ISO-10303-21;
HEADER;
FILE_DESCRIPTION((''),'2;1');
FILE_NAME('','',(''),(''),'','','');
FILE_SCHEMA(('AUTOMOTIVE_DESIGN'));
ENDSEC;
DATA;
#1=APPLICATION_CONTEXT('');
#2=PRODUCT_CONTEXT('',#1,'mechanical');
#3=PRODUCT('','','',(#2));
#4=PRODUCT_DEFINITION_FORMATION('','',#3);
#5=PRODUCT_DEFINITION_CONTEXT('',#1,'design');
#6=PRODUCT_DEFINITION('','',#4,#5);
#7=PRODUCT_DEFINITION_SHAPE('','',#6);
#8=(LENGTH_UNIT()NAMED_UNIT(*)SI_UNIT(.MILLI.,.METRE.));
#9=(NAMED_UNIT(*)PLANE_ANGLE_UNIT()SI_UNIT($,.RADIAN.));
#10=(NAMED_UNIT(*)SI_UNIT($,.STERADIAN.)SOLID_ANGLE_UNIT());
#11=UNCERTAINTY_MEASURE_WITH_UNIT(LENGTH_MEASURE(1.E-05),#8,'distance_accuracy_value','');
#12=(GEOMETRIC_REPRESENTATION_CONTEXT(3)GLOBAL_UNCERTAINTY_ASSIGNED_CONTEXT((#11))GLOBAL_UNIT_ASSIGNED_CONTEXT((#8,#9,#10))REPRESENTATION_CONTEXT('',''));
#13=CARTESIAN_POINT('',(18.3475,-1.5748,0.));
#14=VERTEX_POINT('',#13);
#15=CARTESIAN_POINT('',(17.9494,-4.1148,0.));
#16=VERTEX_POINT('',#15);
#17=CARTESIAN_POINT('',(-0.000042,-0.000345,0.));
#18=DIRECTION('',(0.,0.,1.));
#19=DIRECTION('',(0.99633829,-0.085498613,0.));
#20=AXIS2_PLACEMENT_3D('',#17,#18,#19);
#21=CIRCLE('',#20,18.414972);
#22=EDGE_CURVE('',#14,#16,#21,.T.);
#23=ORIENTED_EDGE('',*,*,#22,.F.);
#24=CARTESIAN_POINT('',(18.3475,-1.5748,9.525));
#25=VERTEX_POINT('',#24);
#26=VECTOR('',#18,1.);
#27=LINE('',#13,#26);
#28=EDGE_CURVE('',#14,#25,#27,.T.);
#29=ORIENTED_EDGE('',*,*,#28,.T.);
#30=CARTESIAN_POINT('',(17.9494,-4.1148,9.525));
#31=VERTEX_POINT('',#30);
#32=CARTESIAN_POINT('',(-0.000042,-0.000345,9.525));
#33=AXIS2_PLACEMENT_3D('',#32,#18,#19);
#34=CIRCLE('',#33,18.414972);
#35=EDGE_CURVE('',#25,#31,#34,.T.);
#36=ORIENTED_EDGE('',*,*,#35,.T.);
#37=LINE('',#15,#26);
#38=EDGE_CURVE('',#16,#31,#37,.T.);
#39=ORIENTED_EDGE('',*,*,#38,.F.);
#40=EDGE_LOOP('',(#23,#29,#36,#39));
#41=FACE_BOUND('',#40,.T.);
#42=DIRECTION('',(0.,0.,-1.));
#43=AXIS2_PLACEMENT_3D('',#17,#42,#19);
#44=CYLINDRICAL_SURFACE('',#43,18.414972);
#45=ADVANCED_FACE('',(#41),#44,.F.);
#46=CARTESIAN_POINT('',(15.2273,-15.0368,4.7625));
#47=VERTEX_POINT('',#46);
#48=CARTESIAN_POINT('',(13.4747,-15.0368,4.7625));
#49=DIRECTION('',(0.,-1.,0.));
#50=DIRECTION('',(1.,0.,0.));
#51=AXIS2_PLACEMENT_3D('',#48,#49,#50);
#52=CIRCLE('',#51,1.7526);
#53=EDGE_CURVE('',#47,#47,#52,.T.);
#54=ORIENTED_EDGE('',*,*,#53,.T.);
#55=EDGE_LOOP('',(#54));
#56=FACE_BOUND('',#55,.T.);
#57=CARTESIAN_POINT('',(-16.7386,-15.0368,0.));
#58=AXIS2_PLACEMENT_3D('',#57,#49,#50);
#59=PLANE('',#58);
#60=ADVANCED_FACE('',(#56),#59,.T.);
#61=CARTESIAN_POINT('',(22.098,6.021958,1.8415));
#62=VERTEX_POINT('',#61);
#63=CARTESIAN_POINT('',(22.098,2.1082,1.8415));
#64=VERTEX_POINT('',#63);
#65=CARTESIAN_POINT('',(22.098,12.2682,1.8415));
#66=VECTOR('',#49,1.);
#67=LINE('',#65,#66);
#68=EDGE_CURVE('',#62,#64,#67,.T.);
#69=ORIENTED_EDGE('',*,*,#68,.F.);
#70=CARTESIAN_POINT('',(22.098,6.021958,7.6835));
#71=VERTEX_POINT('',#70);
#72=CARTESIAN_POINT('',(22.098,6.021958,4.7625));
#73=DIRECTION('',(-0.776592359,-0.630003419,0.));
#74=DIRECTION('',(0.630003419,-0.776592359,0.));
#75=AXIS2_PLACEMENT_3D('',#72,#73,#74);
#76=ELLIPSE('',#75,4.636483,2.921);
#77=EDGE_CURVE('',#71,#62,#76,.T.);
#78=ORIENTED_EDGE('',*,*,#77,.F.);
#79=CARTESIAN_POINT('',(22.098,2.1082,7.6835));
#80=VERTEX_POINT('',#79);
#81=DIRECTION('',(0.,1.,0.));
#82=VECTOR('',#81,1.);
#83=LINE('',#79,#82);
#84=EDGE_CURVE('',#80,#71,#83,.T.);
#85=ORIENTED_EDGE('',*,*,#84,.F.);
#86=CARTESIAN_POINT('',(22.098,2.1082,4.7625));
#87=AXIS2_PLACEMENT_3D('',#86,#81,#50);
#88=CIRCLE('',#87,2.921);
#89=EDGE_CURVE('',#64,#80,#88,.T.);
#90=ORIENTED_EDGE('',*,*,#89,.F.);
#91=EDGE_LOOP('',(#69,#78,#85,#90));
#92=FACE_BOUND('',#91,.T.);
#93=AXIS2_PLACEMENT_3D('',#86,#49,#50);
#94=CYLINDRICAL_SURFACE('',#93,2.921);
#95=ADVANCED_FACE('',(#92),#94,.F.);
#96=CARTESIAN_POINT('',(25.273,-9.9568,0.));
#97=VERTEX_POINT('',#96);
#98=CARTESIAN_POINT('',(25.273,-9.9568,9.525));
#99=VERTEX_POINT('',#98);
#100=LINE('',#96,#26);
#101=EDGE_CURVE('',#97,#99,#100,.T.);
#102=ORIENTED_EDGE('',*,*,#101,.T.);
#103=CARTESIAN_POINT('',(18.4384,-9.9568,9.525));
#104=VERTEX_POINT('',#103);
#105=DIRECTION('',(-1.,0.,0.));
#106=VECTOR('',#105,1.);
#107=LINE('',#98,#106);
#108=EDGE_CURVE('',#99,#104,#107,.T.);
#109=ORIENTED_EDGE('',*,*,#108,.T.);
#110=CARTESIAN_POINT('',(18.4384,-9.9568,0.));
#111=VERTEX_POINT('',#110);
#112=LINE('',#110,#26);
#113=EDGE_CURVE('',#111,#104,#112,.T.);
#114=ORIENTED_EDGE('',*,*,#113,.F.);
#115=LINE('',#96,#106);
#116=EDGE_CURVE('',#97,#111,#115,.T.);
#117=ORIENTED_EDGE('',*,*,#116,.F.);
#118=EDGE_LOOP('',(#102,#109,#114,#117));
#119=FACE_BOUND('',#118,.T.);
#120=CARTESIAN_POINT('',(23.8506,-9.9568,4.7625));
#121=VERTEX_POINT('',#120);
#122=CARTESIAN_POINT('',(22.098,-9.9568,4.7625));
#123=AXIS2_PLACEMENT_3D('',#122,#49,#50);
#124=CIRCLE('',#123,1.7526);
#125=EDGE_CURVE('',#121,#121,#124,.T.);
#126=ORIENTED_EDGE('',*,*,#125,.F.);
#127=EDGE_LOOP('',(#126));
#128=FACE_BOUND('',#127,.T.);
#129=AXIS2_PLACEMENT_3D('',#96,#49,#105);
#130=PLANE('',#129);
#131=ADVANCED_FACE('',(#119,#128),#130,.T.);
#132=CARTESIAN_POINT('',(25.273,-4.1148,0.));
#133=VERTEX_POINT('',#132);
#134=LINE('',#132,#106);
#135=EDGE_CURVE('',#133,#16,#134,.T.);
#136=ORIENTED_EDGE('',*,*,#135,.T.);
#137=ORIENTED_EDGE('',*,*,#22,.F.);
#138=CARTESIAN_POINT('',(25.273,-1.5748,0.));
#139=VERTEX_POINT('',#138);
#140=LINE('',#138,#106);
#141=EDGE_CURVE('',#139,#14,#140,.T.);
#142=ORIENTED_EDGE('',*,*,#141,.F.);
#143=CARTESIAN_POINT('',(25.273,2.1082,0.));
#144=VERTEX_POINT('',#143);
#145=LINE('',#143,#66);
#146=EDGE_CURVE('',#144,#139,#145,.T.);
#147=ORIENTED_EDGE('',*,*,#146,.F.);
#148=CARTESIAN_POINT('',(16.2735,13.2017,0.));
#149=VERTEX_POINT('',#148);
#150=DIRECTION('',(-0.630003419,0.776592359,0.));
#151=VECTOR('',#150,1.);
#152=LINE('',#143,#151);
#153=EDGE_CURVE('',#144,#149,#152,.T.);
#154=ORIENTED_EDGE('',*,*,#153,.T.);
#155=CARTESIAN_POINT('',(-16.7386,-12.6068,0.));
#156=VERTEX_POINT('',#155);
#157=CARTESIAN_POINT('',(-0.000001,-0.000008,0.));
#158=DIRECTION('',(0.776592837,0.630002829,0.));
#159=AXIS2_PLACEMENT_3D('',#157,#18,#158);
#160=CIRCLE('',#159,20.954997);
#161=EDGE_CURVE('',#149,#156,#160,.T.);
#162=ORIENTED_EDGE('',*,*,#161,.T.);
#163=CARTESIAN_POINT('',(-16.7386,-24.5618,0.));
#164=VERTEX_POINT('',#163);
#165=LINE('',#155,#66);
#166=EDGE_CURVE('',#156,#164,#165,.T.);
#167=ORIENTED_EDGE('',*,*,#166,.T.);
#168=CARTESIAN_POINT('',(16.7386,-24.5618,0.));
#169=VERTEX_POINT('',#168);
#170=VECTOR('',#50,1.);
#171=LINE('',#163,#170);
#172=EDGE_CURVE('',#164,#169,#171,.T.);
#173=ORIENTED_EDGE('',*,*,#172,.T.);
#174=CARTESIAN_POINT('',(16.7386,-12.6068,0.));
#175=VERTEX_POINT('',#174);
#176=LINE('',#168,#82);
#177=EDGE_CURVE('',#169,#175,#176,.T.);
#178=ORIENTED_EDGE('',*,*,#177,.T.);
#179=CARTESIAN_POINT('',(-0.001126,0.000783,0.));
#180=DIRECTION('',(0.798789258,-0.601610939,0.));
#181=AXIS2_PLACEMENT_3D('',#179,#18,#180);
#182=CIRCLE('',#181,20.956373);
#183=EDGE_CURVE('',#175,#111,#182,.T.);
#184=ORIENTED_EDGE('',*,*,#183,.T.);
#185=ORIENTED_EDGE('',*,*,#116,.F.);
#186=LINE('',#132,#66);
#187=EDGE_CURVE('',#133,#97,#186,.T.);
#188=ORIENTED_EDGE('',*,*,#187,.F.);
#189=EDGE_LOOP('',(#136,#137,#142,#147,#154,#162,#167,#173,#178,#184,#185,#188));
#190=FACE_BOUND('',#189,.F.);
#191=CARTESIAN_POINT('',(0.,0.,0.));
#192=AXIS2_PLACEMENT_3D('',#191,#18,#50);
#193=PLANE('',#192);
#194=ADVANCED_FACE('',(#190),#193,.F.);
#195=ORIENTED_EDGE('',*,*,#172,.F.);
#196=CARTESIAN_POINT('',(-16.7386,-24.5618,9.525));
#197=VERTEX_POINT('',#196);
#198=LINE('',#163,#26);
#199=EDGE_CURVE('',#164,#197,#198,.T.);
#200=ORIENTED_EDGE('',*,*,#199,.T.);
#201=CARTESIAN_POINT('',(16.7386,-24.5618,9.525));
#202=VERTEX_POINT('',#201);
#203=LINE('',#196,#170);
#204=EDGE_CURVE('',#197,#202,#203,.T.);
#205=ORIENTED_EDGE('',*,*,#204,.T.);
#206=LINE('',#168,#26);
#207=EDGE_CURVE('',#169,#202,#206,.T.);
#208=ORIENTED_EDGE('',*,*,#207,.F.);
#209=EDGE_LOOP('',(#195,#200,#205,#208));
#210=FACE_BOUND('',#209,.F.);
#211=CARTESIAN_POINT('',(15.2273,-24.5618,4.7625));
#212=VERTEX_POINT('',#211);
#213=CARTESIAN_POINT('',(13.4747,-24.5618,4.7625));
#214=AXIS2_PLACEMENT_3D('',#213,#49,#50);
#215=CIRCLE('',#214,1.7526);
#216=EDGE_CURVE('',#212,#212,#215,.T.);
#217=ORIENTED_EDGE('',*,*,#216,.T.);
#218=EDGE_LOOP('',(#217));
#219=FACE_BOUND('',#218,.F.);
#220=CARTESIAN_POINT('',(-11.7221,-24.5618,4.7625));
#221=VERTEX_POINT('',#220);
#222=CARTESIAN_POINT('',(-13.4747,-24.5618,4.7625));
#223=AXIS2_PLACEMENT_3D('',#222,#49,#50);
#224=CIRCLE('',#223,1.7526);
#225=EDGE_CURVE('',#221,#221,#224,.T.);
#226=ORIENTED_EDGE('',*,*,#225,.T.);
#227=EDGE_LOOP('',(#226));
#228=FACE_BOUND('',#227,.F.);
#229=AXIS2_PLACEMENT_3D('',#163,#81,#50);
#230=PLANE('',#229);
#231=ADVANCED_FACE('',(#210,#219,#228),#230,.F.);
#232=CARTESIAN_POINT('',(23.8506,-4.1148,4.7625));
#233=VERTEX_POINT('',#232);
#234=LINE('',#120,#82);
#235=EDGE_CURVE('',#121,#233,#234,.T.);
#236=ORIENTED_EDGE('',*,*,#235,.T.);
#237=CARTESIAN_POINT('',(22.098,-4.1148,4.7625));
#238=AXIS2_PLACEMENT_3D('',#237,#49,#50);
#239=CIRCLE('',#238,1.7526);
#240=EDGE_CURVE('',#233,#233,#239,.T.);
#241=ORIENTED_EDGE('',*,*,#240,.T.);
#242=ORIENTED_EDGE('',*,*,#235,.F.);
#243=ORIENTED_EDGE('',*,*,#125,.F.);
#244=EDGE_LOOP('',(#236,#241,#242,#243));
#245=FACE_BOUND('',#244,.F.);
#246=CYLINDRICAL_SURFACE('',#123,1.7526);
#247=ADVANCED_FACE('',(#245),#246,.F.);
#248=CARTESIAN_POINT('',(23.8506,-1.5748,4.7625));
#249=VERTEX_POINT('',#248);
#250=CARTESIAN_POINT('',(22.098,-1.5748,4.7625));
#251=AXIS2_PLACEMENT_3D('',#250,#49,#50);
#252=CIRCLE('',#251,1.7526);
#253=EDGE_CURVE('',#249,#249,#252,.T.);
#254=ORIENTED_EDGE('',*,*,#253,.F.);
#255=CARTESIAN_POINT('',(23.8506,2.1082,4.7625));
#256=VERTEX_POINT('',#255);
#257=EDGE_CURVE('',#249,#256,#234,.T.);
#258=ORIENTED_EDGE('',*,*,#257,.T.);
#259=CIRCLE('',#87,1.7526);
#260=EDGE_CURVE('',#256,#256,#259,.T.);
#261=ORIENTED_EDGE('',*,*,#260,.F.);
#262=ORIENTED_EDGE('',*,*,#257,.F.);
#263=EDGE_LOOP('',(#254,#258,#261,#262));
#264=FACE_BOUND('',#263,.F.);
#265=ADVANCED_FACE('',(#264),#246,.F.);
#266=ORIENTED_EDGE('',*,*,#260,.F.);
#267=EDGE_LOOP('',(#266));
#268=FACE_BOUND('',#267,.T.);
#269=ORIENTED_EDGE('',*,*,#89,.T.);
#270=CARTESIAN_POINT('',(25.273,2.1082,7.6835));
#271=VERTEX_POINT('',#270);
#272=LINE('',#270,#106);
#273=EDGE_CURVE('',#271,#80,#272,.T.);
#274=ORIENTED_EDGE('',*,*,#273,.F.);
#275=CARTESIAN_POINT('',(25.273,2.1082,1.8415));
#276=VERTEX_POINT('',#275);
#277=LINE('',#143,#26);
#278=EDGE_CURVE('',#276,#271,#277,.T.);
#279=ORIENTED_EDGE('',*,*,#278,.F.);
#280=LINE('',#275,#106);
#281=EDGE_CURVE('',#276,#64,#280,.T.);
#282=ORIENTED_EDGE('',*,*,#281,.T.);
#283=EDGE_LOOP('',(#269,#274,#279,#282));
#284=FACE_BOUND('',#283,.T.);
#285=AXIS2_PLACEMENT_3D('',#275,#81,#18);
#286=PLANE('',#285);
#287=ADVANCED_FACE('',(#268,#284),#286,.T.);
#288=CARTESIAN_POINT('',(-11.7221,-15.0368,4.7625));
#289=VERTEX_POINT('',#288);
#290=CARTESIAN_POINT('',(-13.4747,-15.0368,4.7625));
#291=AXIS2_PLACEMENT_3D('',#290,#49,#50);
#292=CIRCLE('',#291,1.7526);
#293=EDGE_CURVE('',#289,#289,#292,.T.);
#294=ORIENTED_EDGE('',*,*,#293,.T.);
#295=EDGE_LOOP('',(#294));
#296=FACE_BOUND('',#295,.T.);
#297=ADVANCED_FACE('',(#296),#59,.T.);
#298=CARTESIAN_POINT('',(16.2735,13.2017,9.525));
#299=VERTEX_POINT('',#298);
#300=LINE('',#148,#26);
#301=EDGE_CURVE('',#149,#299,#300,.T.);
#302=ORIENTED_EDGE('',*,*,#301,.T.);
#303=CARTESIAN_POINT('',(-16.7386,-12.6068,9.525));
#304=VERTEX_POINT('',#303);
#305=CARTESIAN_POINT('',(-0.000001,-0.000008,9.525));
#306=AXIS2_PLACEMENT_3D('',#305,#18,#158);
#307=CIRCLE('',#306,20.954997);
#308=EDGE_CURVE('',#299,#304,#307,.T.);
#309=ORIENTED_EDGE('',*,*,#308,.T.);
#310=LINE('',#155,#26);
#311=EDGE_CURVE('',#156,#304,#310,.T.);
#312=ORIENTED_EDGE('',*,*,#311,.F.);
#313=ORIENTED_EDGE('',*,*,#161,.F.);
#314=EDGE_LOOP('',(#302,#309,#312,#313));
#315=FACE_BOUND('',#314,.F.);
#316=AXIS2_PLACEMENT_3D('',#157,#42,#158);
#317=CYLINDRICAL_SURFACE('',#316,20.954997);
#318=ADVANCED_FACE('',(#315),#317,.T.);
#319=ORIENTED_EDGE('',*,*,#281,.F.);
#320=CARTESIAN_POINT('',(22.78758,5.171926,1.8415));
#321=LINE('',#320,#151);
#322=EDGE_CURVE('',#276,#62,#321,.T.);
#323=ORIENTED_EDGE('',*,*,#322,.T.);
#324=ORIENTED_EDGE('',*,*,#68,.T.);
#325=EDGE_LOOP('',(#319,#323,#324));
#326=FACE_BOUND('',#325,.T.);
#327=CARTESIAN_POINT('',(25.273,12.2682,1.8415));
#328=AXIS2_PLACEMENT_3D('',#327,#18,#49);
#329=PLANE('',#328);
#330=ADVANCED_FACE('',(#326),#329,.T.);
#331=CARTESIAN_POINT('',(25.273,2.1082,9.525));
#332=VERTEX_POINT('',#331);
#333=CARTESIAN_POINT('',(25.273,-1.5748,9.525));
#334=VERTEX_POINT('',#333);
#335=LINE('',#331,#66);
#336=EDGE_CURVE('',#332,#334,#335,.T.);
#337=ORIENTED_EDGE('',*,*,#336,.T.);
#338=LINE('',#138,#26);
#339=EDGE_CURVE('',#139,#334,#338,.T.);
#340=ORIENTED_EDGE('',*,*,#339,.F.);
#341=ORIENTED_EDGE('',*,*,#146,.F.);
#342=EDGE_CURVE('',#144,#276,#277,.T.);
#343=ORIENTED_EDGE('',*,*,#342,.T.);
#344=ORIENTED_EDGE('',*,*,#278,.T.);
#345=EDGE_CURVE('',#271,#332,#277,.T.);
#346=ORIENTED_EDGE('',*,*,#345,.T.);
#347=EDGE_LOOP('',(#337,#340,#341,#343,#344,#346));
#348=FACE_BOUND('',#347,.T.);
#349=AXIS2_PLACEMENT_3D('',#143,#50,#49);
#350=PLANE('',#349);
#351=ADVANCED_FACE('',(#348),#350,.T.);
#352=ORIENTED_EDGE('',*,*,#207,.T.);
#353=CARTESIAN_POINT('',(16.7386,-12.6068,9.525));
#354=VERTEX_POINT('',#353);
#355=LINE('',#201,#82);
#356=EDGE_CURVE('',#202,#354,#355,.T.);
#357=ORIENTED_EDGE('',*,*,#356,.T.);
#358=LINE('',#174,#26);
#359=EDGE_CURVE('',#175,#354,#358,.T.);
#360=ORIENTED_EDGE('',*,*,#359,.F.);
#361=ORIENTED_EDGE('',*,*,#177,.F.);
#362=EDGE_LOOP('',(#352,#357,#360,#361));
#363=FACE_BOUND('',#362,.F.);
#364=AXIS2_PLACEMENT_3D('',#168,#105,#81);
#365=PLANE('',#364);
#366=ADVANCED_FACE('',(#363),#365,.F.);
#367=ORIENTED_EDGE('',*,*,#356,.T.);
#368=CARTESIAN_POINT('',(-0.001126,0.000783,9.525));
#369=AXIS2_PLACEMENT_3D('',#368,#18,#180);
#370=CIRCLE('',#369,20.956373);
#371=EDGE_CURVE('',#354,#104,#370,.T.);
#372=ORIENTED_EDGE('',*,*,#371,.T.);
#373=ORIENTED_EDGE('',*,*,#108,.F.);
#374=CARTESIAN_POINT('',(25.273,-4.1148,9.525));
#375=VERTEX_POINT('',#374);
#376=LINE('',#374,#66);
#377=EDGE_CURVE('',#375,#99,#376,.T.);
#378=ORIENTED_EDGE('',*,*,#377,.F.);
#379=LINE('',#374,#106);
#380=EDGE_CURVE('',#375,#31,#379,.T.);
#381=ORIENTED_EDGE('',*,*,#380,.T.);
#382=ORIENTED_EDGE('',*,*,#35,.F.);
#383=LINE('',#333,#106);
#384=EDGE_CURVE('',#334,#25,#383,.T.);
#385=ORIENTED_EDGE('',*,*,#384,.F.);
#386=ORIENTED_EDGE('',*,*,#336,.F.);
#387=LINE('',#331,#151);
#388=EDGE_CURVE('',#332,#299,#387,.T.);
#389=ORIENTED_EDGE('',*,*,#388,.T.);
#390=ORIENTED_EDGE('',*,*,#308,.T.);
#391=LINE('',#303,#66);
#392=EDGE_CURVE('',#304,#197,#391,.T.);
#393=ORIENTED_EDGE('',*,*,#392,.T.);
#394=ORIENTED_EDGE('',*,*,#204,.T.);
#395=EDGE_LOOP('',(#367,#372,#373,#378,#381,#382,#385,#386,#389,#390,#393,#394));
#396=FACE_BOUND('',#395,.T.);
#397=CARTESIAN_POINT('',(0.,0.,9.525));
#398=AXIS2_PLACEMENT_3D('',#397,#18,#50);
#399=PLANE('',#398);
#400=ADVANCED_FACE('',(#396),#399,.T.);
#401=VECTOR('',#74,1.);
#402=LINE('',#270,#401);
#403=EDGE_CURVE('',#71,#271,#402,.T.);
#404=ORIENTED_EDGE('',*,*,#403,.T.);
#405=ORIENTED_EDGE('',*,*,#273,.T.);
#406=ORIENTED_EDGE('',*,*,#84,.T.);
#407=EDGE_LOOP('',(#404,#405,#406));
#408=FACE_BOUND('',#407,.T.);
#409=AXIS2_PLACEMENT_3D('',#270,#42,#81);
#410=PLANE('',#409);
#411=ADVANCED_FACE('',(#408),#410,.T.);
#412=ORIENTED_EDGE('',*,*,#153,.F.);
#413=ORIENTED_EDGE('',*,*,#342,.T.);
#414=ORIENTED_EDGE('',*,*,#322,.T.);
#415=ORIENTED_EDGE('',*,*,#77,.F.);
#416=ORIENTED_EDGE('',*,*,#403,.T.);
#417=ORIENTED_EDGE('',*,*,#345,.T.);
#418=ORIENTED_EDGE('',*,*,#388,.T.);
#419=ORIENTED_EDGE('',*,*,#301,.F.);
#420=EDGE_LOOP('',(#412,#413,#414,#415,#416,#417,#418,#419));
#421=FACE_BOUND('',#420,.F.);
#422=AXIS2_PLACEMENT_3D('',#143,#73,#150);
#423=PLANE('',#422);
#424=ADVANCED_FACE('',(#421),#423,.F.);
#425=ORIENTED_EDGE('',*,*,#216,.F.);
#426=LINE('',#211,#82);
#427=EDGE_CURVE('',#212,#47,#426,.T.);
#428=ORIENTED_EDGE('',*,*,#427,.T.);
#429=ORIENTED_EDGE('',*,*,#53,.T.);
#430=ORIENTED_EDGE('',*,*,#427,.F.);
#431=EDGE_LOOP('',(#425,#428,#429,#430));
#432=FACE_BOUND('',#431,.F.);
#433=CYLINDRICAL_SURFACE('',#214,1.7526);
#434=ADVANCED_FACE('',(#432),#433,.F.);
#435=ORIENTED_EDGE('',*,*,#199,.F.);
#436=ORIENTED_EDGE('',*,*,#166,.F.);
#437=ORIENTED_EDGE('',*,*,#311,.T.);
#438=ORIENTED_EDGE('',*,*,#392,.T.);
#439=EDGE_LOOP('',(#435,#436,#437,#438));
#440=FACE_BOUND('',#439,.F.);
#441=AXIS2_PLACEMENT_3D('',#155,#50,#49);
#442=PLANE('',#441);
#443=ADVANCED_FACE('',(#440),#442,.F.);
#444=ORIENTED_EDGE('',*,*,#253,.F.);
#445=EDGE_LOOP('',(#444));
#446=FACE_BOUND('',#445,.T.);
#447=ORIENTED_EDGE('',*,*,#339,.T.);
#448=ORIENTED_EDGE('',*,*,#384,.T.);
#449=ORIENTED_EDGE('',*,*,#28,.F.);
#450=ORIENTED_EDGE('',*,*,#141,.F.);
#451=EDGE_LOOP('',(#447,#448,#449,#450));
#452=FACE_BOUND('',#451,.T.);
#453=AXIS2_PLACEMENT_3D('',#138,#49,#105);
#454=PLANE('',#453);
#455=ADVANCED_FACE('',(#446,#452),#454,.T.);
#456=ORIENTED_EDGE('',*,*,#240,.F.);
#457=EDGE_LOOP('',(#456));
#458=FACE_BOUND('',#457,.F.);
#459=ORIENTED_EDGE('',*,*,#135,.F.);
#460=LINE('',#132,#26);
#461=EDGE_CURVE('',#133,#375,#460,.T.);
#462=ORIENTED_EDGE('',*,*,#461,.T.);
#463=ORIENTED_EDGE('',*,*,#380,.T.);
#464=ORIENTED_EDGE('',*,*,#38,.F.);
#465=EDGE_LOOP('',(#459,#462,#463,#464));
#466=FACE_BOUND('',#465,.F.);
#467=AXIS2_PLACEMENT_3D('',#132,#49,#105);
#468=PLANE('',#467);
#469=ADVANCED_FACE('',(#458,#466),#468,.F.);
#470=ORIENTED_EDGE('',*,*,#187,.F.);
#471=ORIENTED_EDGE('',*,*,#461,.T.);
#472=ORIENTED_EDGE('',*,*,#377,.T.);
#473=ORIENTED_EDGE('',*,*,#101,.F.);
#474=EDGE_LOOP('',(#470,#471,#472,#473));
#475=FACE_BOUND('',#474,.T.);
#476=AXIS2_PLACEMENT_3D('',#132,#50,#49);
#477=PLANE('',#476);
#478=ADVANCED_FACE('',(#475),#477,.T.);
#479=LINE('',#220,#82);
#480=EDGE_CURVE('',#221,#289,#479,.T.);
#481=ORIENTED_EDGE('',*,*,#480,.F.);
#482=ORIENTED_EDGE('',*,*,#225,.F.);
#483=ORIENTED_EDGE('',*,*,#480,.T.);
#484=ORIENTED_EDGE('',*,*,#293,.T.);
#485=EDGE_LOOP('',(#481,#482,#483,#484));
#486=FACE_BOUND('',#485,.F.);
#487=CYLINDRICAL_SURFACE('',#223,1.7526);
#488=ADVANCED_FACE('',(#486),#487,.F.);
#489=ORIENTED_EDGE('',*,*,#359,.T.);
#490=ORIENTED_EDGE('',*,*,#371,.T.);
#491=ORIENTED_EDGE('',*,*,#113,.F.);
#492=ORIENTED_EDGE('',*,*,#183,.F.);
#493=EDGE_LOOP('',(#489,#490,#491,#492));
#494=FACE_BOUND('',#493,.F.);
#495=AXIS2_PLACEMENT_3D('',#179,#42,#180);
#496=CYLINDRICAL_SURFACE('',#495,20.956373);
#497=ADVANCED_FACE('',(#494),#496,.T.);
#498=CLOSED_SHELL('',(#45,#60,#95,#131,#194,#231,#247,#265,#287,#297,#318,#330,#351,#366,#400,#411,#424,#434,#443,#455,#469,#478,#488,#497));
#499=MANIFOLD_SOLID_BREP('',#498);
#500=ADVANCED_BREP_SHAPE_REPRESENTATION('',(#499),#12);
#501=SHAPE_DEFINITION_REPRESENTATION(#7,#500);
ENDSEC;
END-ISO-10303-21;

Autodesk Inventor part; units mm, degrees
ref_plane "YZ Plane" through (0, 0, 0) normal (1, 0, 0) x (0, 1, 0)
ref_plane "XZ Plane" through (0, 0, 0) normal (0, 1, 0) x (-1, 0, 0)
ref_plane "XY Plane" through (0, 0, 0) normal (0, 0, 1) x (1, 0, 0)
sketch "Sketch1" plane through (0, 0, 0) normal (0, 0, 1) x (1, 0, 0)
  arc A0 (18.3475, -1.5748) -> (17.9494, -4.1148) centre (0, 0) ccw
  line L0 (-16.7386, -24.5618) -> (16.7386, -24.5618)
  line L1 (16.7386, -24.5618) -> (16.7386, -12.6068)
  line L2 (-16.7386, -12.6068) -> (-16.7386, -24.5618)
  line L3 (-20.955, 0) -> (-20.955, 20.955) construction
  line L4 (-20.955, 20.955) -> (25.273, 20.955) construction
  line L5 (16.7386, -24.5618) -> (25.273, -24.5618) construction
  line L6 (25.273, -24.5618) -> (25.273, -9.9568) construction
  line L7 (25.273, -9.9568) -> (21.0058, -9.9568) construction
  line L8 (25.273, -9.9568) -> (25.273, 2.1082) construction
  line L9 (25.273, 2.1082) -> (16.2735, 13.2017)
  line L10 (25.273, 2.1082) -> (25.273, -1.5748) construction
  line L11 (25.273, -1.5748) -> (18.3475, -1.5748)
  line L12 (25.273, 2.1082) -> (25.273, -1.5748)
  line L13 (25.273, -1.5748) -> (25.273, -4.1148) construction
  line L14 (25.273, -4.1148) -> (25.273, -9.9568)
  line L15 (25.273, -9.9568) -> (18.4384, -9.9568)
  line L16 (25.273, -4.1148) -> (17.9494, -4.1148)
  arc A1 (16.2735, 13.2017) -> (-16.7386, -12.6068) centre (0, 0) ccw
  arc A2 (16.7386, -12.6068) -> (18.4384, -9.9568) centre (0, 0) ccw
  dimension "d0" = 36.83
extrude "Extrusion1" add sketch "Sketch1" along normal blind 9.525
sketch "Sketch2" plane through (-16.7386, -24.5618, 0) normal (0, -1, 0) x (1, 0, 0)
  line L0 (0, 9.525) -> (33.4772, 9.525) projected
  line L1 (16.7386, 0) -> (16.7386, 9.525) construction
  line L2 (30.2133, 4.7625) -> (3.2639, 4.7625) construction
  circle A0 centre (3.2639, 4.7625) radius 1.7526
  circle A1 centre (30.2133, 4.7625) radius 1.7526
  dimension "d12" = 26.9494
  dimension "d13" = 3.5052
  dimension "d14" = 3.5052
extrude "Extrusion2" cut sketch "Sketch2" against normal blind 9.525
thread "Thread1" size "6-32 UNC" class "2B" standard "ANSI Unified Screw Threads" full length
thread "Thread2" size "6-32 UNC" class "2B" standard "ANSI Unified Screw Threads" full length
sketch "Sketch3" plane through (18.4384, -9.9568, 0) normal (0, -1, 0) x (1, 0, 0)
  line L0 (6.8346, 0) -> (6.8346, 9.525) projected
  line L1 (0, 0) -> (0, 9.525) projected
  line L2 (6.8346, 4.7625) -> (3.6596, 4.7625) construction
  circle A0 centre (3.6596, 4.7625) radius 1.7526
  point P0 (-18.4384, 0)
  dimension "d21" = 3.175
  dimension "d22" = 3.5052
extrude "Extrusion3" cut sketch "Sketch3" against normal blind 25.4
sketch "Sketch4" plane through (25.273, -1.5748, 0) normal (1, 0, 0) x (0, 0, -1)
  line L0 (0, 3.683) -> (-9.525, 3.683) projected
  line L1 (-1.8415, 3.683) -> (-7.6835, 3.683)
  line L2 (-7.6835, 3.683) -> (-7.6835, 13.843)
  line L3 (-7.6835, 13.843) -> (-1.8415, 13.843)
  line L4 (-1.8415, 13.843) -> (-1.8415, 3.683)
  point P0 (0, 1.5748)
  dimension "d26" = 10.16
  dimension "d27" = 5.842
extrude "Extrusion4" cut sketch "Sketch4" against normal blind 3.175
sketch "Sketch5" plane through (25.273, 2.1082, 7.6835) normal (0, 1, 0) x (1, 0, 0)
  arc A0 (-3.175, 1.1684) -> (-3.175, 4.6736) centre (-3.175, 2.921) ccw projected
  circle A1 centre (-3.175, 2.921) radius 2.921
  point P0 (-25.273, 7.6835)
extrude "Extrusion5" cut sketch "Sketch5" along normal blind 9.525
thread "Thread3" size "6-32 UNC" class "2B" standard "ANSI Unified Screw Threads" full length
properties part number "Motor Mount"
